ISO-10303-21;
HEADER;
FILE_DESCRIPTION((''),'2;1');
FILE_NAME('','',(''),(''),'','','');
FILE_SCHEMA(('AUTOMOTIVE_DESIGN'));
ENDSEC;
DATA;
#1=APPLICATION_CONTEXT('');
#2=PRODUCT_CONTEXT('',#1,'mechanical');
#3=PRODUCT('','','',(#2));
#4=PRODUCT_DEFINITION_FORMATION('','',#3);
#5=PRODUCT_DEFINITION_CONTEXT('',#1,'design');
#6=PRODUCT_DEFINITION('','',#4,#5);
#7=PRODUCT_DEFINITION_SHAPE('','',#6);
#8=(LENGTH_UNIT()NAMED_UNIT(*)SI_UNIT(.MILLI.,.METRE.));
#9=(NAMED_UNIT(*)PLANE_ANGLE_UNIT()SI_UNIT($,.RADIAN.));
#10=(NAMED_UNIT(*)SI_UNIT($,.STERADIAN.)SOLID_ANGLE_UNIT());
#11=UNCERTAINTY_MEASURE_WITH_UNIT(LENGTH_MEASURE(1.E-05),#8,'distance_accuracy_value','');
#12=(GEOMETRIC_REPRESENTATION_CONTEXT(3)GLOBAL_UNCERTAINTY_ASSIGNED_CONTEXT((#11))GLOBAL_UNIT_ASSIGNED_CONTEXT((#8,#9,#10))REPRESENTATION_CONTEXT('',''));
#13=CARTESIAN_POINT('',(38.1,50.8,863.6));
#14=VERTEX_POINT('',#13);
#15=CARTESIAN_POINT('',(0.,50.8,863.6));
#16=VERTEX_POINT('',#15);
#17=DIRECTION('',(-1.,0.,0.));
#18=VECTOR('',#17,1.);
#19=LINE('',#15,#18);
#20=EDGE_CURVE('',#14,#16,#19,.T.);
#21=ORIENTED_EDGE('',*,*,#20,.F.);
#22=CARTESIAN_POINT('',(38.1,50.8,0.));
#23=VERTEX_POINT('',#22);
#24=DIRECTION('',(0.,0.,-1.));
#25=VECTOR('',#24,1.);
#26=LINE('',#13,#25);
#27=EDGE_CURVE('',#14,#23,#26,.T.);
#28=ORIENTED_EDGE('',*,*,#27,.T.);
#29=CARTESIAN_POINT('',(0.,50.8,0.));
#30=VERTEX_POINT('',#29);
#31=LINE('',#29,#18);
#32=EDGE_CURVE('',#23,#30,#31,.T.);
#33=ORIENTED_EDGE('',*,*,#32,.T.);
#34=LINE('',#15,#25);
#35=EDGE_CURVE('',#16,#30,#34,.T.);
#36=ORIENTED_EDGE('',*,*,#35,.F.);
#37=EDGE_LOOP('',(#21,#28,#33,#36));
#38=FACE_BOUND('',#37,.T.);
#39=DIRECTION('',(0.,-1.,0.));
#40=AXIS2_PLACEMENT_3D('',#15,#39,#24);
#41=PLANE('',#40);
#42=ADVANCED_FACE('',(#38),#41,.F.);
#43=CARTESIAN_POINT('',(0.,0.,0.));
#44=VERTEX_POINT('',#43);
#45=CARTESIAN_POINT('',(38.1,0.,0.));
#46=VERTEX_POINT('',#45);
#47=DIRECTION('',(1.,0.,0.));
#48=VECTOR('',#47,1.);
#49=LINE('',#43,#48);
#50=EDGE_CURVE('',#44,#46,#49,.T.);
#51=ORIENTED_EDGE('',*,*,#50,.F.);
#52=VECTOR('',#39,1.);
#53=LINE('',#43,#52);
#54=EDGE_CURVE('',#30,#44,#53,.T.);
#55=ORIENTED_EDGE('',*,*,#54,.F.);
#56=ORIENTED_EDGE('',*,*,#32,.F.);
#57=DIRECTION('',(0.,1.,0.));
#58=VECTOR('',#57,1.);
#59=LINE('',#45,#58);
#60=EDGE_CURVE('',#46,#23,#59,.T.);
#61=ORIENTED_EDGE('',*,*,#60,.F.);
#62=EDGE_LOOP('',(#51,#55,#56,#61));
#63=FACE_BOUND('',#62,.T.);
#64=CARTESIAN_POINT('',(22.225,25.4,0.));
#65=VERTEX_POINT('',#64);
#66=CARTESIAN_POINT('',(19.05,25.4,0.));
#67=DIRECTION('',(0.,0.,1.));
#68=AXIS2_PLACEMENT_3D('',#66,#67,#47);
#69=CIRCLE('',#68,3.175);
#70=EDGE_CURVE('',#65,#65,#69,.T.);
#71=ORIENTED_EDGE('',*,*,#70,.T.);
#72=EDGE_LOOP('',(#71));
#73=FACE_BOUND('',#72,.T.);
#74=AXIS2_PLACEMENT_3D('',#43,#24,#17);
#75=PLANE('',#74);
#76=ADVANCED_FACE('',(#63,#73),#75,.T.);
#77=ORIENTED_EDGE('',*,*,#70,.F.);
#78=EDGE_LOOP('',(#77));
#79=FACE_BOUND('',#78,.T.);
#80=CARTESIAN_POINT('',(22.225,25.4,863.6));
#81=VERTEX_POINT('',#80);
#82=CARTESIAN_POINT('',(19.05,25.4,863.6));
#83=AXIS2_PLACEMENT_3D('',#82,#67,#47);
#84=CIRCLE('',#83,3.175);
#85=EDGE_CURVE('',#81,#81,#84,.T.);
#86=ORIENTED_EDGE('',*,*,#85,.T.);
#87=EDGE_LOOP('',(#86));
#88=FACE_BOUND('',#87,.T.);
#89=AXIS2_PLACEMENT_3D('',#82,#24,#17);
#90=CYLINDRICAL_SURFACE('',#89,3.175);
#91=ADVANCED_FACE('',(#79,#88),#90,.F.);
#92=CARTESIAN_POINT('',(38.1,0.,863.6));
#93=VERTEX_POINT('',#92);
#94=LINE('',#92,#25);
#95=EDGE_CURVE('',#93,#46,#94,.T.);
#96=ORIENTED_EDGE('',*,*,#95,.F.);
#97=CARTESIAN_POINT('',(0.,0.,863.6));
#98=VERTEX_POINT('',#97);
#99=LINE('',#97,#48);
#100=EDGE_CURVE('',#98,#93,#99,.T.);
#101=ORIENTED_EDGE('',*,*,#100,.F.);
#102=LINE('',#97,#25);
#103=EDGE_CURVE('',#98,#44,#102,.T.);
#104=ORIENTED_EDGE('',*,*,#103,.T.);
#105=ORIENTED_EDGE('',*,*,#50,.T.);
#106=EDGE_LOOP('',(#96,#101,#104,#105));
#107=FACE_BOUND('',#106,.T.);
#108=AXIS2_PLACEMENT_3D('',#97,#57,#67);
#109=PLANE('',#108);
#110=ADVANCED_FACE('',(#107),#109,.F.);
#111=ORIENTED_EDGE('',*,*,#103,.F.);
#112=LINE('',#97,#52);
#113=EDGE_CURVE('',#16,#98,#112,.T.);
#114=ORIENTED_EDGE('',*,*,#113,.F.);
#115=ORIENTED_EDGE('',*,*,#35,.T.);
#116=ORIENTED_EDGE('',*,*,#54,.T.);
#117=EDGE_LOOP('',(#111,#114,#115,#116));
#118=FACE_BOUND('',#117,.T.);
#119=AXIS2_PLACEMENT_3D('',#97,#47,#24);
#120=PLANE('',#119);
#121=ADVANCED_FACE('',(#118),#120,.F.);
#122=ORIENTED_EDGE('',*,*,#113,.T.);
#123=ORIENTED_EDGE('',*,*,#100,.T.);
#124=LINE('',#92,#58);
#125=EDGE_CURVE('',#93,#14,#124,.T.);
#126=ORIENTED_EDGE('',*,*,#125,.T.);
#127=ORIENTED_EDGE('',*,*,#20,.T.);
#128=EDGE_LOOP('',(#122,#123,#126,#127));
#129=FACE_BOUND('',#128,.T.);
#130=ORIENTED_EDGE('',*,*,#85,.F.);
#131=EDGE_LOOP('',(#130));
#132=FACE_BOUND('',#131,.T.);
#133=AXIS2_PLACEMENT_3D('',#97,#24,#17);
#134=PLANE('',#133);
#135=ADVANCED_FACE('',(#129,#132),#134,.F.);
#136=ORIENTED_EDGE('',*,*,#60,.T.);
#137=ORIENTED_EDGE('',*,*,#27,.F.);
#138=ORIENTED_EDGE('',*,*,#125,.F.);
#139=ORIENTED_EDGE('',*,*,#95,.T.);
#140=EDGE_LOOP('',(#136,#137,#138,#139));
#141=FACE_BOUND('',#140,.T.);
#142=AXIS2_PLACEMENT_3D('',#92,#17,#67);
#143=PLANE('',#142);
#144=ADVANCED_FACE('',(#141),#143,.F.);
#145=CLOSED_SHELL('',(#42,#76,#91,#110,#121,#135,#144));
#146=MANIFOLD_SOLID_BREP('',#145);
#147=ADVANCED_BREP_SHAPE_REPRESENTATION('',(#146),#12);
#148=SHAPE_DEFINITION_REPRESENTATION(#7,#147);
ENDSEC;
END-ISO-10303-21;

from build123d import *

# Parameters (mm, degrees)
SKETCH1_W           = 38.1
SKETCH1_H           = 50.8
SKETCH1_R           = 3.175
BOSS_EXTRUDE1_DEPTH = 863.6


with BuildPart() as part:
    # Sketch1 → Boss-Extrude1 (new body)
    with BuildSketch(Plane.XY):
        with Locations((19.05, 25.4)):
            Rectangle(SKETCH1_W, SKETCH1_H)
        with Locations((19.05, 25.4)):
            Circle(SKETCH1_R, mode=Mode.SUBTRACT)
    extrude(amount=BOSS_EXTRUDE1_DEPTH)


solid = part.part
